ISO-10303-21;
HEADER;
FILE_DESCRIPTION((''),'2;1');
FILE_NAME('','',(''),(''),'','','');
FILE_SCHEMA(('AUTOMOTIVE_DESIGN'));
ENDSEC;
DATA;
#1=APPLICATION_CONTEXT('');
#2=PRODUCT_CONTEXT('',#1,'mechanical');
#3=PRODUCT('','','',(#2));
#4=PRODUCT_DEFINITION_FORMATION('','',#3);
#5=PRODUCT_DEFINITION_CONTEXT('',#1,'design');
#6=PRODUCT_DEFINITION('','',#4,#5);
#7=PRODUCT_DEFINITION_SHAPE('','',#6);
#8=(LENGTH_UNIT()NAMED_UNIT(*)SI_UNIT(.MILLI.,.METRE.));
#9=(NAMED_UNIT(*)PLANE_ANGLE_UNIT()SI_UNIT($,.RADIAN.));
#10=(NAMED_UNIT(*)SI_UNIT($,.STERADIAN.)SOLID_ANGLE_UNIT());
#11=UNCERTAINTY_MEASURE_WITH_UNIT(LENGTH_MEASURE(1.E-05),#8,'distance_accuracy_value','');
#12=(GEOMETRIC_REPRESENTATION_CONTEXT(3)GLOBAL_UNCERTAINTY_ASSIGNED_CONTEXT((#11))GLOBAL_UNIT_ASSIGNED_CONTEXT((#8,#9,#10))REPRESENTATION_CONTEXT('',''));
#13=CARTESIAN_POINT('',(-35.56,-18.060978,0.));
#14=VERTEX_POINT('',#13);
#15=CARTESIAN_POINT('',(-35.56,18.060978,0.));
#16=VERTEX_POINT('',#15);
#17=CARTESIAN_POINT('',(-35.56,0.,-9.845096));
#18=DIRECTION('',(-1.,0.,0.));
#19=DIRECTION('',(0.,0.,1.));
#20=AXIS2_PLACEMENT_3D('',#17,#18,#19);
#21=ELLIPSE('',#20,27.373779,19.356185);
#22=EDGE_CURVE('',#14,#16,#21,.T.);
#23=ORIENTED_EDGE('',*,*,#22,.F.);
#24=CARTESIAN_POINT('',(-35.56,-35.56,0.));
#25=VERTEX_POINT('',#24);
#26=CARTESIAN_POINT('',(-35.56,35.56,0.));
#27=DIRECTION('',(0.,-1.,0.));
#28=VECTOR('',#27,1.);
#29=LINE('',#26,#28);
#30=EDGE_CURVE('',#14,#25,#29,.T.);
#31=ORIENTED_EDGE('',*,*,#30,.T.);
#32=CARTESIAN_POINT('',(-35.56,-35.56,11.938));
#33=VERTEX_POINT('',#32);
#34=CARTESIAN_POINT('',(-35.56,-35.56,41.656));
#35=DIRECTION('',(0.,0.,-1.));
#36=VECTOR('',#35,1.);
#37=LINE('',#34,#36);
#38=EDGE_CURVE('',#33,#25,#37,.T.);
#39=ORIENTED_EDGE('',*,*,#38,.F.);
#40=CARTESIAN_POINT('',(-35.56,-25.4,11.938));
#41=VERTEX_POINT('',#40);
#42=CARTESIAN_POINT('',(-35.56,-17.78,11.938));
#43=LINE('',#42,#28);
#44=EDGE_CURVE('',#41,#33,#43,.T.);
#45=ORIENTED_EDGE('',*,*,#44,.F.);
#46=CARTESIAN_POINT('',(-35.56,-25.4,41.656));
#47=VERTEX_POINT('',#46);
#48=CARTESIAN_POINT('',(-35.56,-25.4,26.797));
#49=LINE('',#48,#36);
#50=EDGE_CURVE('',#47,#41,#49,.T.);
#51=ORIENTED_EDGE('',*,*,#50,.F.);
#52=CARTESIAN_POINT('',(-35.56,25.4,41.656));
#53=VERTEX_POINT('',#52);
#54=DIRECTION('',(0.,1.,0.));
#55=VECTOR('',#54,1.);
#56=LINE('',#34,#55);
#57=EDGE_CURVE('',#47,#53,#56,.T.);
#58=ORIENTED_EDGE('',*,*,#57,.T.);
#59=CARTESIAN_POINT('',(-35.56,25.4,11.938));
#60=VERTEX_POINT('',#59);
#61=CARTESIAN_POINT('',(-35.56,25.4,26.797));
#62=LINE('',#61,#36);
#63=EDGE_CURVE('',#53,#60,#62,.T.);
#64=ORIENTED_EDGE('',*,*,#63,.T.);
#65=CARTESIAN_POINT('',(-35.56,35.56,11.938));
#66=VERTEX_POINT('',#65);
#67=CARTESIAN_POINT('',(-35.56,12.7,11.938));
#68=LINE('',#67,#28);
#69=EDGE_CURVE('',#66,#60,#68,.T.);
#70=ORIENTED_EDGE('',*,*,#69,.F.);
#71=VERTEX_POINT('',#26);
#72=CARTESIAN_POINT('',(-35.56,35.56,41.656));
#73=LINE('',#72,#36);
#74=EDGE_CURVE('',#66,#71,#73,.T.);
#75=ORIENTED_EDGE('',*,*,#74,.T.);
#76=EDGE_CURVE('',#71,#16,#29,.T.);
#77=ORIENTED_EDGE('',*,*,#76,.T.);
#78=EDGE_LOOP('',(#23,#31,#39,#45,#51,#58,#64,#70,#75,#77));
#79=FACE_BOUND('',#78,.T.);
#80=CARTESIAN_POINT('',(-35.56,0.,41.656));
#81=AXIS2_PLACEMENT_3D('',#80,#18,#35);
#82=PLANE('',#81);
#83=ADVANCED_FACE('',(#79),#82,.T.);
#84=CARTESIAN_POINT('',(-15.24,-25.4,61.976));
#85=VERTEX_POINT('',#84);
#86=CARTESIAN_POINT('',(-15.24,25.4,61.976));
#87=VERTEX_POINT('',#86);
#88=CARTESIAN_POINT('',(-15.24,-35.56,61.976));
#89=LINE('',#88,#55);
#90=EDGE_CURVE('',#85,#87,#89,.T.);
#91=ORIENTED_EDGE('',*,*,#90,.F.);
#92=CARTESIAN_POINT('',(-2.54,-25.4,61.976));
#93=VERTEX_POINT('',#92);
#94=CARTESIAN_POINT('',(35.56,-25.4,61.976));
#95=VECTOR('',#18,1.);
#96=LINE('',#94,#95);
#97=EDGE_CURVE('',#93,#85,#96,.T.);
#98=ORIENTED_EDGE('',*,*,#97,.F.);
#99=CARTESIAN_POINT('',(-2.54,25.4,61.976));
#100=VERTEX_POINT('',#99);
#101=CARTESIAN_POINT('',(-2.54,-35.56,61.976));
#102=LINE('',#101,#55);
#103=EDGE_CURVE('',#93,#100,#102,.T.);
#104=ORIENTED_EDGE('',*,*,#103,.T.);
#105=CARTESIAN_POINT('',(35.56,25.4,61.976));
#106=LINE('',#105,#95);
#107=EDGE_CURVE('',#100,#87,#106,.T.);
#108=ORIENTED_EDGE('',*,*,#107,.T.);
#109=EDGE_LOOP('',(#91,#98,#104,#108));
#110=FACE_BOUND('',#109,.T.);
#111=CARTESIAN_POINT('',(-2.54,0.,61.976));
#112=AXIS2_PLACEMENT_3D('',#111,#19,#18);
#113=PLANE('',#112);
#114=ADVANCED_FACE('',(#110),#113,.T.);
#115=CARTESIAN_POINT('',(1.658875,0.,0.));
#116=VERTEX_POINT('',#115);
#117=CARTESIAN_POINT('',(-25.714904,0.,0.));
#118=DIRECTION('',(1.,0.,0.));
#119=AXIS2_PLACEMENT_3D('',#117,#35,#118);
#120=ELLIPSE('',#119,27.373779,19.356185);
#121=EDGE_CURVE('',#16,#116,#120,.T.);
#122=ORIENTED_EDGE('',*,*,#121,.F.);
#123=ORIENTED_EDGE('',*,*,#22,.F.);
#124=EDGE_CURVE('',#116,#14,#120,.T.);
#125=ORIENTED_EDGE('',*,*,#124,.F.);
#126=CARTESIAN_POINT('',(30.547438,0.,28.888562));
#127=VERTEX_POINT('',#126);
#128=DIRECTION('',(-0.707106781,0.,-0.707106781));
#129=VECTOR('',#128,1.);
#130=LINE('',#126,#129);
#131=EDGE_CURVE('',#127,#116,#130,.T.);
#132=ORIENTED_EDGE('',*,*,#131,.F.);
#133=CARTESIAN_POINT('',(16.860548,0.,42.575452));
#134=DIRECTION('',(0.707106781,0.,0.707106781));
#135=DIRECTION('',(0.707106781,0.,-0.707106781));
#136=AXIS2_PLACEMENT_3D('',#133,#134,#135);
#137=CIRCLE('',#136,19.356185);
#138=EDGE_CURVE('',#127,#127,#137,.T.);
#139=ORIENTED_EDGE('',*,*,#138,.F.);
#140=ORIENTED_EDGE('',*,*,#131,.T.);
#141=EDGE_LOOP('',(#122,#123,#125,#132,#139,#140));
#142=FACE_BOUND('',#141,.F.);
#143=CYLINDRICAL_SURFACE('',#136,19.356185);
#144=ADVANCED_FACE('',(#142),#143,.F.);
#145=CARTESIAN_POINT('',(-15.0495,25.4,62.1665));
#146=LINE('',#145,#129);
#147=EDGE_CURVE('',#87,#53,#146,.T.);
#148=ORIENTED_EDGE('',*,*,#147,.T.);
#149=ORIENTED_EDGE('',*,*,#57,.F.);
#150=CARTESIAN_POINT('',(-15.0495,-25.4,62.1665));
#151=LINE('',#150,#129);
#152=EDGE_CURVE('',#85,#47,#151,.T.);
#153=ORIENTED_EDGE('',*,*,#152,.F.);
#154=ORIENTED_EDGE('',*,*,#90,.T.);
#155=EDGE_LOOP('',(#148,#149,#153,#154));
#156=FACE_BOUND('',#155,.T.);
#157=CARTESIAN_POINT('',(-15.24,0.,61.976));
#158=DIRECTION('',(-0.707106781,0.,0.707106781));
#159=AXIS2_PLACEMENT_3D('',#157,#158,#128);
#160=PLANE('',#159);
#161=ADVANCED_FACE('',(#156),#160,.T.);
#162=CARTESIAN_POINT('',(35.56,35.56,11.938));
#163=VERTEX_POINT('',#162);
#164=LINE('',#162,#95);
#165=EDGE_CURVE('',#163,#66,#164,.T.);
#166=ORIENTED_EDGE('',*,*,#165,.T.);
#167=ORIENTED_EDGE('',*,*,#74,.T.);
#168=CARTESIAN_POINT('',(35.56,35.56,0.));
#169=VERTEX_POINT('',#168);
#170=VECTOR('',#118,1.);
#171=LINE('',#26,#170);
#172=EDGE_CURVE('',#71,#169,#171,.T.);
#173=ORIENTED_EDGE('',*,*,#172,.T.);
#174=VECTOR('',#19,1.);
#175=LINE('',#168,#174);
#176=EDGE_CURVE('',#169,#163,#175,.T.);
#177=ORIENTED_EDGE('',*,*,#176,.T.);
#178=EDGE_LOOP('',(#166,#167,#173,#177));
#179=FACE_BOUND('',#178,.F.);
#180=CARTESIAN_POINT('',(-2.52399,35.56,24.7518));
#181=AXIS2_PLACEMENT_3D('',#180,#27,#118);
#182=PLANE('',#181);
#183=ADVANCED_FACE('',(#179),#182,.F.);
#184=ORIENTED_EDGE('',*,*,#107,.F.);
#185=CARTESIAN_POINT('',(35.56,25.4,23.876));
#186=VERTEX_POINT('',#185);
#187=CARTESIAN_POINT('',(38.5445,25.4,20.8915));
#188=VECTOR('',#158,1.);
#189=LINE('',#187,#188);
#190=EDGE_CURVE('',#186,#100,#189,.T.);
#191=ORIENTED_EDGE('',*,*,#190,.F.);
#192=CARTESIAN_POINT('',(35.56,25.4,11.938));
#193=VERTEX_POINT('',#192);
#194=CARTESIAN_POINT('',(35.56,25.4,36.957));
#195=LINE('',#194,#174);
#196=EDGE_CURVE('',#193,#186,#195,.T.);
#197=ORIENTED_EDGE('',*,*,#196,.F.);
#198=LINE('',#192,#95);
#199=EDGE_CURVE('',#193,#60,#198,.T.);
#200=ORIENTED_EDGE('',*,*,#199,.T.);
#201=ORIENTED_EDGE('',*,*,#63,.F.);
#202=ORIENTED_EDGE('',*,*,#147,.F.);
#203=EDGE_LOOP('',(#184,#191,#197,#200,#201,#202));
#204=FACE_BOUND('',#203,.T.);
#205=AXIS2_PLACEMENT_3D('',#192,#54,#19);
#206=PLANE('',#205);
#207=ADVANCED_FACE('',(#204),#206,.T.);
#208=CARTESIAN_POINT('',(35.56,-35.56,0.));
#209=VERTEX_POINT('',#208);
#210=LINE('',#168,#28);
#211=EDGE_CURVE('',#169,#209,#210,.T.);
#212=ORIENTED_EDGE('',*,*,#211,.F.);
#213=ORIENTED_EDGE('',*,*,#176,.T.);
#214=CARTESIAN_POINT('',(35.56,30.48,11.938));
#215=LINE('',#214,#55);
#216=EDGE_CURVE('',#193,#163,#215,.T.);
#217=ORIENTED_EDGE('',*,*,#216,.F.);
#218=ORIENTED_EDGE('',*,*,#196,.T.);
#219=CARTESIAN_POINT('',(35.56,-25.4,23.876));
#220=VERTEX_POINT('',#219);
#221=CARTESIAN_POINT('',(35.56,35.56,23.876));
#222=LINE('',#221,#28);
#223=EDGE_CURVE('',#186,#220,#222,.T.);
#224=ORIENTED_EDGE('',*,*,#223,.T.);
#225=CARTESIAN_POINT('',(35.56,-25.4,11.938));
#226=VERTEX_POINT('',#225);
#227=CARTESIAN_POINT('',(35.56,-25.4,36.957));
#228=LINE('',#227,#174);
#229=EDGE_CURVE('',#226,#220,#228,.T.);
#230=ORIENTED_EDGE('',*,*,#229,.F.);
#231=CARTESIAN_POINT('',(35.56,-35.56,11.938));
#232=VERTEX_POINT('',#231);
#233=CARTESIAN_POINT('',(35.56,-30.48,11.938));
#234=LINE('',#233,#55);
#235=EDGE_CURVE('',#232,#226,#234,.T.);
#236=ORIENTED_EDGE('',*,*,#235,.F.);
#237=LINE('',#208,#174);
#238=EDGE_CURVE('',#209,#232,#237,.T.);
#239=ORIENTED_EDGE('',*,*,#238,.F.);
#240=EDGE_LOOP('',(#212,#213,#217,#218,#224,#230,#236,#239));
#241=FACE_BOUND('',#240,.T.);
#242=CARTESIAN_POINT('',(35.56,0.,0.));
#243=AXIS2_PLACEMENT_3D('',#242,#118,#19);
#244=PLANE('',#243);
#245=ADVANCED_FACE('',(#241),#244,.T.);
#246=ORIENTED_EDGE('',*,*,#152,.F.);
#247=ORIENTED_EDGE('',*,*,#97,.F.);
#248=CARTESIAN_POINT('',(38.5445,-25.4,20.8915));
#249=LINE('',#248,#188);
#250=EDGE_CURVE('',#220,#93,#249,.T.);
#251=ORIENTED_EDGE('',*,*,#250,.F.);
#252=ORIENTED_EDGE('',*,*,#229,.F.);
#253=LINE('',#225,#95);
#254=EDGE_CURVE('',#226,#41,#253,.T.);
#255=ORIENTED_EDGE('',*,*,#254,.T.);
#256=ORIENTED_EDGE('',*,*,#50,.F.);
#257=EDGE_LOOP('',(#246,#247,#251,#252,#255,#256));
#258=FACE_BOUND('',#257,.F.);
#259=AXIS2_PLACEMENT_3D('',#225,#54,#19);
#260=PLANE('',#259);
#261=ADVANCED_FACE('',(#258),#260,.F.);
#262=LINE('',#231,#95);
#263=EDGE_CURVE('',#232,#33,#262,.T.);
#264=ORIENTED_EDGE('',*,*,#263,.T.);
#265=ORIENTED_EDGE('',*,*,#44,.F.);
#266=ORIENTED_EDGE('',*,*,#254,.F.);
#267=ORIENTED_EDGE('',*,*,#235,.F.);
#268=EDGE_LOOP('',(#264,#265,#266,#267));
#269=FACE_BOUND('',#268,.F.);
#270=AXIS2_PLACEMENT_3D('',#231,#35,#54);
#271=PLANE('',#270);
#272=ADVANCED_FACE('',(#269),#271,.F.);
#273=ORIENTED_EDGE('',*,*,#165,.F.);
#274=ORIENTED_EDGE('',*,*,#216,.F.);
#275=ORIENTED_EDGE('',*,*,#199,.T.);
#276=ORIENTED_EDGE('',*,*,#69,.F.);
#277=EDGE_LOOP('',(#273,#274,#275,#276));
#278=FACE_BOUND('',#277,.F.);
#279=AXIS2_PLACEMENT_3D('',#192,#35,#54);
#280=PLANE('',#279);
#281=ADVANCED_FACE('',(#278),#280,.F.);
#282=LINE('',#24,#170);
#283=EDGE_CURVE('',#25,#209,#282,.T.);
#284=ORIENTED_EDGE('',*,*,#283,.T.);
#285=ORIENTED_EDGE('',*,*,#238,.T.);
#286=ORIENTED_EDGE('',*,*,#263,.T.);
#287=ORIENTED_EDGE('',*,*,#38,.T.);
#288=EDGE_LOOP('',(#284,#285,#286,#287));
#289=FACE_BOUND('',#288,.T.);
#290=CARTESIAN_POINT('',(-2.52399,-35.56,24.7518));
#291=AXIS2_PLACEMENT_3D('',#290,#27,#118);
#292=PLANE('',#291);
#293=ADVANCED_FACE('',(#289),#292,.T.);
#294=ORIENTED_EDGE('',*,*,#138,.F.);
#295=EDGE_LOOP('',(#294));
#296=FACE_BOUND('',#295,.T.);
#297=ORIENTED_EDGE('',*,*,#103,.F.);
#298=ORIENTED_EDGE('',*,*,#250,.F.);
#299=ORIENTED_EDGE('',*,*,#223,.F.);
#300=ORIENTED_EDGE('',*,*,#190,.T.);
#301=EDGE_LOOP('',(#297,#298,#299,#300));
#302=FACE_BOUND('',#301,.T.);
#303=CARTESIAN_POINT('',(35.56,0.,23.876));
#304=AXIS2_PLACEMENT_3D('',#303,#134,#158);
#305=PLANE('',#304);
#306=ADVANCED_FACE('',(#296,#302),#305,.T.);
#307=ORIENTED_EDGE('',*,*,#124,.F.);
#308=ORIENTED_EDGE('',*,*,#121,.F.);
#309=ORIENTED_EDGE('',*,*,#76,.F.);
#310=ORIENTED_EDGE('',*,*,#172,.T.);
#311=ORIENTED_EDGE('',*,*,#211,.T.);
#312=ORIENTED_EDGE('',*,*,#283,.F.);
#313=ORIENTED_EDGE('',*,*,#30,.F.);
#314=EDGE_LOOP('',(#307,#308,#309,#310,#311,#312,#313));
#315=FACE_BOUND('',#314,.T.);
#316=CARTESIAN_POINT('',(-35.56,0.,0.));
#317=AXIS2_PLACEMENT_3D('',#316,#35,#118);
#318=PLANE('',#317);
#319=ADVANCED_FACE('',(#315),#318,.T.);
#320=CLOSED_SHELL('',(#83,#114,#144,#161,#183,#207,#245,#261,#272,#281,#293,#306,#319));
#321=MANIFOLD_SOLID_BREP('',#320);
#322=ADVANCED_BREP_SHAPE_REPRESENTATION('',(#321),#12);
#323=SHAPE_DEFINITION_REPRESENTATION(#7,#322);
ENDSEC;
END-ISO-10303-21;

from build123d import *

# Parameters (mm, degrees)
F1_DEPTH = 35.56
F2_W     = 10.16
F2_H     = 50.038
F3_DEPTH = 71.121
F4_R     = 19.356185
F5_DEPTH = 67.173316


with BuildPart() as f1:
    # F0 (on Front) → F1 (new body, symmetric)
    with BuildSketch(Plane.XZ):
        Polygon((-35.56, 41.656), (-35.56, 0), (35.56, 0), (35.56, 23.876), (-2.54, 61.976), (-15.24, 61.976), align=None)
    extrude(amount=F1_DEPTH, both=True)

    # F2 (on face) → F3 (cut, through all)
    with BuildSketch(Plane.YZ.offset(35.56)):
        with Locations((-30.48, 36.957)):
            Rectangle(F2_W, F2_H)
        with Locations((30.48, 36.957)):
            Rectangle(F2_W, F2_H)
    extrude(amount=-F3_DEPTH, mode=Mode.SUBTRACT)

    # F4 (on face) → F5 (cut, through all)
    with BuildSketch(Plane(origin=(29.718, 0, 29.718), x_dir=(0.707107, 0, -0.707107), z_dir=(0.707107, 0, 0.707107))):
        with Locations((-18.183183, 0)):
            Circle(F4_R)
    extrude(amount=-F5_DEPTH, mode=Mode.SUBTRACT)


solid = f1.part
